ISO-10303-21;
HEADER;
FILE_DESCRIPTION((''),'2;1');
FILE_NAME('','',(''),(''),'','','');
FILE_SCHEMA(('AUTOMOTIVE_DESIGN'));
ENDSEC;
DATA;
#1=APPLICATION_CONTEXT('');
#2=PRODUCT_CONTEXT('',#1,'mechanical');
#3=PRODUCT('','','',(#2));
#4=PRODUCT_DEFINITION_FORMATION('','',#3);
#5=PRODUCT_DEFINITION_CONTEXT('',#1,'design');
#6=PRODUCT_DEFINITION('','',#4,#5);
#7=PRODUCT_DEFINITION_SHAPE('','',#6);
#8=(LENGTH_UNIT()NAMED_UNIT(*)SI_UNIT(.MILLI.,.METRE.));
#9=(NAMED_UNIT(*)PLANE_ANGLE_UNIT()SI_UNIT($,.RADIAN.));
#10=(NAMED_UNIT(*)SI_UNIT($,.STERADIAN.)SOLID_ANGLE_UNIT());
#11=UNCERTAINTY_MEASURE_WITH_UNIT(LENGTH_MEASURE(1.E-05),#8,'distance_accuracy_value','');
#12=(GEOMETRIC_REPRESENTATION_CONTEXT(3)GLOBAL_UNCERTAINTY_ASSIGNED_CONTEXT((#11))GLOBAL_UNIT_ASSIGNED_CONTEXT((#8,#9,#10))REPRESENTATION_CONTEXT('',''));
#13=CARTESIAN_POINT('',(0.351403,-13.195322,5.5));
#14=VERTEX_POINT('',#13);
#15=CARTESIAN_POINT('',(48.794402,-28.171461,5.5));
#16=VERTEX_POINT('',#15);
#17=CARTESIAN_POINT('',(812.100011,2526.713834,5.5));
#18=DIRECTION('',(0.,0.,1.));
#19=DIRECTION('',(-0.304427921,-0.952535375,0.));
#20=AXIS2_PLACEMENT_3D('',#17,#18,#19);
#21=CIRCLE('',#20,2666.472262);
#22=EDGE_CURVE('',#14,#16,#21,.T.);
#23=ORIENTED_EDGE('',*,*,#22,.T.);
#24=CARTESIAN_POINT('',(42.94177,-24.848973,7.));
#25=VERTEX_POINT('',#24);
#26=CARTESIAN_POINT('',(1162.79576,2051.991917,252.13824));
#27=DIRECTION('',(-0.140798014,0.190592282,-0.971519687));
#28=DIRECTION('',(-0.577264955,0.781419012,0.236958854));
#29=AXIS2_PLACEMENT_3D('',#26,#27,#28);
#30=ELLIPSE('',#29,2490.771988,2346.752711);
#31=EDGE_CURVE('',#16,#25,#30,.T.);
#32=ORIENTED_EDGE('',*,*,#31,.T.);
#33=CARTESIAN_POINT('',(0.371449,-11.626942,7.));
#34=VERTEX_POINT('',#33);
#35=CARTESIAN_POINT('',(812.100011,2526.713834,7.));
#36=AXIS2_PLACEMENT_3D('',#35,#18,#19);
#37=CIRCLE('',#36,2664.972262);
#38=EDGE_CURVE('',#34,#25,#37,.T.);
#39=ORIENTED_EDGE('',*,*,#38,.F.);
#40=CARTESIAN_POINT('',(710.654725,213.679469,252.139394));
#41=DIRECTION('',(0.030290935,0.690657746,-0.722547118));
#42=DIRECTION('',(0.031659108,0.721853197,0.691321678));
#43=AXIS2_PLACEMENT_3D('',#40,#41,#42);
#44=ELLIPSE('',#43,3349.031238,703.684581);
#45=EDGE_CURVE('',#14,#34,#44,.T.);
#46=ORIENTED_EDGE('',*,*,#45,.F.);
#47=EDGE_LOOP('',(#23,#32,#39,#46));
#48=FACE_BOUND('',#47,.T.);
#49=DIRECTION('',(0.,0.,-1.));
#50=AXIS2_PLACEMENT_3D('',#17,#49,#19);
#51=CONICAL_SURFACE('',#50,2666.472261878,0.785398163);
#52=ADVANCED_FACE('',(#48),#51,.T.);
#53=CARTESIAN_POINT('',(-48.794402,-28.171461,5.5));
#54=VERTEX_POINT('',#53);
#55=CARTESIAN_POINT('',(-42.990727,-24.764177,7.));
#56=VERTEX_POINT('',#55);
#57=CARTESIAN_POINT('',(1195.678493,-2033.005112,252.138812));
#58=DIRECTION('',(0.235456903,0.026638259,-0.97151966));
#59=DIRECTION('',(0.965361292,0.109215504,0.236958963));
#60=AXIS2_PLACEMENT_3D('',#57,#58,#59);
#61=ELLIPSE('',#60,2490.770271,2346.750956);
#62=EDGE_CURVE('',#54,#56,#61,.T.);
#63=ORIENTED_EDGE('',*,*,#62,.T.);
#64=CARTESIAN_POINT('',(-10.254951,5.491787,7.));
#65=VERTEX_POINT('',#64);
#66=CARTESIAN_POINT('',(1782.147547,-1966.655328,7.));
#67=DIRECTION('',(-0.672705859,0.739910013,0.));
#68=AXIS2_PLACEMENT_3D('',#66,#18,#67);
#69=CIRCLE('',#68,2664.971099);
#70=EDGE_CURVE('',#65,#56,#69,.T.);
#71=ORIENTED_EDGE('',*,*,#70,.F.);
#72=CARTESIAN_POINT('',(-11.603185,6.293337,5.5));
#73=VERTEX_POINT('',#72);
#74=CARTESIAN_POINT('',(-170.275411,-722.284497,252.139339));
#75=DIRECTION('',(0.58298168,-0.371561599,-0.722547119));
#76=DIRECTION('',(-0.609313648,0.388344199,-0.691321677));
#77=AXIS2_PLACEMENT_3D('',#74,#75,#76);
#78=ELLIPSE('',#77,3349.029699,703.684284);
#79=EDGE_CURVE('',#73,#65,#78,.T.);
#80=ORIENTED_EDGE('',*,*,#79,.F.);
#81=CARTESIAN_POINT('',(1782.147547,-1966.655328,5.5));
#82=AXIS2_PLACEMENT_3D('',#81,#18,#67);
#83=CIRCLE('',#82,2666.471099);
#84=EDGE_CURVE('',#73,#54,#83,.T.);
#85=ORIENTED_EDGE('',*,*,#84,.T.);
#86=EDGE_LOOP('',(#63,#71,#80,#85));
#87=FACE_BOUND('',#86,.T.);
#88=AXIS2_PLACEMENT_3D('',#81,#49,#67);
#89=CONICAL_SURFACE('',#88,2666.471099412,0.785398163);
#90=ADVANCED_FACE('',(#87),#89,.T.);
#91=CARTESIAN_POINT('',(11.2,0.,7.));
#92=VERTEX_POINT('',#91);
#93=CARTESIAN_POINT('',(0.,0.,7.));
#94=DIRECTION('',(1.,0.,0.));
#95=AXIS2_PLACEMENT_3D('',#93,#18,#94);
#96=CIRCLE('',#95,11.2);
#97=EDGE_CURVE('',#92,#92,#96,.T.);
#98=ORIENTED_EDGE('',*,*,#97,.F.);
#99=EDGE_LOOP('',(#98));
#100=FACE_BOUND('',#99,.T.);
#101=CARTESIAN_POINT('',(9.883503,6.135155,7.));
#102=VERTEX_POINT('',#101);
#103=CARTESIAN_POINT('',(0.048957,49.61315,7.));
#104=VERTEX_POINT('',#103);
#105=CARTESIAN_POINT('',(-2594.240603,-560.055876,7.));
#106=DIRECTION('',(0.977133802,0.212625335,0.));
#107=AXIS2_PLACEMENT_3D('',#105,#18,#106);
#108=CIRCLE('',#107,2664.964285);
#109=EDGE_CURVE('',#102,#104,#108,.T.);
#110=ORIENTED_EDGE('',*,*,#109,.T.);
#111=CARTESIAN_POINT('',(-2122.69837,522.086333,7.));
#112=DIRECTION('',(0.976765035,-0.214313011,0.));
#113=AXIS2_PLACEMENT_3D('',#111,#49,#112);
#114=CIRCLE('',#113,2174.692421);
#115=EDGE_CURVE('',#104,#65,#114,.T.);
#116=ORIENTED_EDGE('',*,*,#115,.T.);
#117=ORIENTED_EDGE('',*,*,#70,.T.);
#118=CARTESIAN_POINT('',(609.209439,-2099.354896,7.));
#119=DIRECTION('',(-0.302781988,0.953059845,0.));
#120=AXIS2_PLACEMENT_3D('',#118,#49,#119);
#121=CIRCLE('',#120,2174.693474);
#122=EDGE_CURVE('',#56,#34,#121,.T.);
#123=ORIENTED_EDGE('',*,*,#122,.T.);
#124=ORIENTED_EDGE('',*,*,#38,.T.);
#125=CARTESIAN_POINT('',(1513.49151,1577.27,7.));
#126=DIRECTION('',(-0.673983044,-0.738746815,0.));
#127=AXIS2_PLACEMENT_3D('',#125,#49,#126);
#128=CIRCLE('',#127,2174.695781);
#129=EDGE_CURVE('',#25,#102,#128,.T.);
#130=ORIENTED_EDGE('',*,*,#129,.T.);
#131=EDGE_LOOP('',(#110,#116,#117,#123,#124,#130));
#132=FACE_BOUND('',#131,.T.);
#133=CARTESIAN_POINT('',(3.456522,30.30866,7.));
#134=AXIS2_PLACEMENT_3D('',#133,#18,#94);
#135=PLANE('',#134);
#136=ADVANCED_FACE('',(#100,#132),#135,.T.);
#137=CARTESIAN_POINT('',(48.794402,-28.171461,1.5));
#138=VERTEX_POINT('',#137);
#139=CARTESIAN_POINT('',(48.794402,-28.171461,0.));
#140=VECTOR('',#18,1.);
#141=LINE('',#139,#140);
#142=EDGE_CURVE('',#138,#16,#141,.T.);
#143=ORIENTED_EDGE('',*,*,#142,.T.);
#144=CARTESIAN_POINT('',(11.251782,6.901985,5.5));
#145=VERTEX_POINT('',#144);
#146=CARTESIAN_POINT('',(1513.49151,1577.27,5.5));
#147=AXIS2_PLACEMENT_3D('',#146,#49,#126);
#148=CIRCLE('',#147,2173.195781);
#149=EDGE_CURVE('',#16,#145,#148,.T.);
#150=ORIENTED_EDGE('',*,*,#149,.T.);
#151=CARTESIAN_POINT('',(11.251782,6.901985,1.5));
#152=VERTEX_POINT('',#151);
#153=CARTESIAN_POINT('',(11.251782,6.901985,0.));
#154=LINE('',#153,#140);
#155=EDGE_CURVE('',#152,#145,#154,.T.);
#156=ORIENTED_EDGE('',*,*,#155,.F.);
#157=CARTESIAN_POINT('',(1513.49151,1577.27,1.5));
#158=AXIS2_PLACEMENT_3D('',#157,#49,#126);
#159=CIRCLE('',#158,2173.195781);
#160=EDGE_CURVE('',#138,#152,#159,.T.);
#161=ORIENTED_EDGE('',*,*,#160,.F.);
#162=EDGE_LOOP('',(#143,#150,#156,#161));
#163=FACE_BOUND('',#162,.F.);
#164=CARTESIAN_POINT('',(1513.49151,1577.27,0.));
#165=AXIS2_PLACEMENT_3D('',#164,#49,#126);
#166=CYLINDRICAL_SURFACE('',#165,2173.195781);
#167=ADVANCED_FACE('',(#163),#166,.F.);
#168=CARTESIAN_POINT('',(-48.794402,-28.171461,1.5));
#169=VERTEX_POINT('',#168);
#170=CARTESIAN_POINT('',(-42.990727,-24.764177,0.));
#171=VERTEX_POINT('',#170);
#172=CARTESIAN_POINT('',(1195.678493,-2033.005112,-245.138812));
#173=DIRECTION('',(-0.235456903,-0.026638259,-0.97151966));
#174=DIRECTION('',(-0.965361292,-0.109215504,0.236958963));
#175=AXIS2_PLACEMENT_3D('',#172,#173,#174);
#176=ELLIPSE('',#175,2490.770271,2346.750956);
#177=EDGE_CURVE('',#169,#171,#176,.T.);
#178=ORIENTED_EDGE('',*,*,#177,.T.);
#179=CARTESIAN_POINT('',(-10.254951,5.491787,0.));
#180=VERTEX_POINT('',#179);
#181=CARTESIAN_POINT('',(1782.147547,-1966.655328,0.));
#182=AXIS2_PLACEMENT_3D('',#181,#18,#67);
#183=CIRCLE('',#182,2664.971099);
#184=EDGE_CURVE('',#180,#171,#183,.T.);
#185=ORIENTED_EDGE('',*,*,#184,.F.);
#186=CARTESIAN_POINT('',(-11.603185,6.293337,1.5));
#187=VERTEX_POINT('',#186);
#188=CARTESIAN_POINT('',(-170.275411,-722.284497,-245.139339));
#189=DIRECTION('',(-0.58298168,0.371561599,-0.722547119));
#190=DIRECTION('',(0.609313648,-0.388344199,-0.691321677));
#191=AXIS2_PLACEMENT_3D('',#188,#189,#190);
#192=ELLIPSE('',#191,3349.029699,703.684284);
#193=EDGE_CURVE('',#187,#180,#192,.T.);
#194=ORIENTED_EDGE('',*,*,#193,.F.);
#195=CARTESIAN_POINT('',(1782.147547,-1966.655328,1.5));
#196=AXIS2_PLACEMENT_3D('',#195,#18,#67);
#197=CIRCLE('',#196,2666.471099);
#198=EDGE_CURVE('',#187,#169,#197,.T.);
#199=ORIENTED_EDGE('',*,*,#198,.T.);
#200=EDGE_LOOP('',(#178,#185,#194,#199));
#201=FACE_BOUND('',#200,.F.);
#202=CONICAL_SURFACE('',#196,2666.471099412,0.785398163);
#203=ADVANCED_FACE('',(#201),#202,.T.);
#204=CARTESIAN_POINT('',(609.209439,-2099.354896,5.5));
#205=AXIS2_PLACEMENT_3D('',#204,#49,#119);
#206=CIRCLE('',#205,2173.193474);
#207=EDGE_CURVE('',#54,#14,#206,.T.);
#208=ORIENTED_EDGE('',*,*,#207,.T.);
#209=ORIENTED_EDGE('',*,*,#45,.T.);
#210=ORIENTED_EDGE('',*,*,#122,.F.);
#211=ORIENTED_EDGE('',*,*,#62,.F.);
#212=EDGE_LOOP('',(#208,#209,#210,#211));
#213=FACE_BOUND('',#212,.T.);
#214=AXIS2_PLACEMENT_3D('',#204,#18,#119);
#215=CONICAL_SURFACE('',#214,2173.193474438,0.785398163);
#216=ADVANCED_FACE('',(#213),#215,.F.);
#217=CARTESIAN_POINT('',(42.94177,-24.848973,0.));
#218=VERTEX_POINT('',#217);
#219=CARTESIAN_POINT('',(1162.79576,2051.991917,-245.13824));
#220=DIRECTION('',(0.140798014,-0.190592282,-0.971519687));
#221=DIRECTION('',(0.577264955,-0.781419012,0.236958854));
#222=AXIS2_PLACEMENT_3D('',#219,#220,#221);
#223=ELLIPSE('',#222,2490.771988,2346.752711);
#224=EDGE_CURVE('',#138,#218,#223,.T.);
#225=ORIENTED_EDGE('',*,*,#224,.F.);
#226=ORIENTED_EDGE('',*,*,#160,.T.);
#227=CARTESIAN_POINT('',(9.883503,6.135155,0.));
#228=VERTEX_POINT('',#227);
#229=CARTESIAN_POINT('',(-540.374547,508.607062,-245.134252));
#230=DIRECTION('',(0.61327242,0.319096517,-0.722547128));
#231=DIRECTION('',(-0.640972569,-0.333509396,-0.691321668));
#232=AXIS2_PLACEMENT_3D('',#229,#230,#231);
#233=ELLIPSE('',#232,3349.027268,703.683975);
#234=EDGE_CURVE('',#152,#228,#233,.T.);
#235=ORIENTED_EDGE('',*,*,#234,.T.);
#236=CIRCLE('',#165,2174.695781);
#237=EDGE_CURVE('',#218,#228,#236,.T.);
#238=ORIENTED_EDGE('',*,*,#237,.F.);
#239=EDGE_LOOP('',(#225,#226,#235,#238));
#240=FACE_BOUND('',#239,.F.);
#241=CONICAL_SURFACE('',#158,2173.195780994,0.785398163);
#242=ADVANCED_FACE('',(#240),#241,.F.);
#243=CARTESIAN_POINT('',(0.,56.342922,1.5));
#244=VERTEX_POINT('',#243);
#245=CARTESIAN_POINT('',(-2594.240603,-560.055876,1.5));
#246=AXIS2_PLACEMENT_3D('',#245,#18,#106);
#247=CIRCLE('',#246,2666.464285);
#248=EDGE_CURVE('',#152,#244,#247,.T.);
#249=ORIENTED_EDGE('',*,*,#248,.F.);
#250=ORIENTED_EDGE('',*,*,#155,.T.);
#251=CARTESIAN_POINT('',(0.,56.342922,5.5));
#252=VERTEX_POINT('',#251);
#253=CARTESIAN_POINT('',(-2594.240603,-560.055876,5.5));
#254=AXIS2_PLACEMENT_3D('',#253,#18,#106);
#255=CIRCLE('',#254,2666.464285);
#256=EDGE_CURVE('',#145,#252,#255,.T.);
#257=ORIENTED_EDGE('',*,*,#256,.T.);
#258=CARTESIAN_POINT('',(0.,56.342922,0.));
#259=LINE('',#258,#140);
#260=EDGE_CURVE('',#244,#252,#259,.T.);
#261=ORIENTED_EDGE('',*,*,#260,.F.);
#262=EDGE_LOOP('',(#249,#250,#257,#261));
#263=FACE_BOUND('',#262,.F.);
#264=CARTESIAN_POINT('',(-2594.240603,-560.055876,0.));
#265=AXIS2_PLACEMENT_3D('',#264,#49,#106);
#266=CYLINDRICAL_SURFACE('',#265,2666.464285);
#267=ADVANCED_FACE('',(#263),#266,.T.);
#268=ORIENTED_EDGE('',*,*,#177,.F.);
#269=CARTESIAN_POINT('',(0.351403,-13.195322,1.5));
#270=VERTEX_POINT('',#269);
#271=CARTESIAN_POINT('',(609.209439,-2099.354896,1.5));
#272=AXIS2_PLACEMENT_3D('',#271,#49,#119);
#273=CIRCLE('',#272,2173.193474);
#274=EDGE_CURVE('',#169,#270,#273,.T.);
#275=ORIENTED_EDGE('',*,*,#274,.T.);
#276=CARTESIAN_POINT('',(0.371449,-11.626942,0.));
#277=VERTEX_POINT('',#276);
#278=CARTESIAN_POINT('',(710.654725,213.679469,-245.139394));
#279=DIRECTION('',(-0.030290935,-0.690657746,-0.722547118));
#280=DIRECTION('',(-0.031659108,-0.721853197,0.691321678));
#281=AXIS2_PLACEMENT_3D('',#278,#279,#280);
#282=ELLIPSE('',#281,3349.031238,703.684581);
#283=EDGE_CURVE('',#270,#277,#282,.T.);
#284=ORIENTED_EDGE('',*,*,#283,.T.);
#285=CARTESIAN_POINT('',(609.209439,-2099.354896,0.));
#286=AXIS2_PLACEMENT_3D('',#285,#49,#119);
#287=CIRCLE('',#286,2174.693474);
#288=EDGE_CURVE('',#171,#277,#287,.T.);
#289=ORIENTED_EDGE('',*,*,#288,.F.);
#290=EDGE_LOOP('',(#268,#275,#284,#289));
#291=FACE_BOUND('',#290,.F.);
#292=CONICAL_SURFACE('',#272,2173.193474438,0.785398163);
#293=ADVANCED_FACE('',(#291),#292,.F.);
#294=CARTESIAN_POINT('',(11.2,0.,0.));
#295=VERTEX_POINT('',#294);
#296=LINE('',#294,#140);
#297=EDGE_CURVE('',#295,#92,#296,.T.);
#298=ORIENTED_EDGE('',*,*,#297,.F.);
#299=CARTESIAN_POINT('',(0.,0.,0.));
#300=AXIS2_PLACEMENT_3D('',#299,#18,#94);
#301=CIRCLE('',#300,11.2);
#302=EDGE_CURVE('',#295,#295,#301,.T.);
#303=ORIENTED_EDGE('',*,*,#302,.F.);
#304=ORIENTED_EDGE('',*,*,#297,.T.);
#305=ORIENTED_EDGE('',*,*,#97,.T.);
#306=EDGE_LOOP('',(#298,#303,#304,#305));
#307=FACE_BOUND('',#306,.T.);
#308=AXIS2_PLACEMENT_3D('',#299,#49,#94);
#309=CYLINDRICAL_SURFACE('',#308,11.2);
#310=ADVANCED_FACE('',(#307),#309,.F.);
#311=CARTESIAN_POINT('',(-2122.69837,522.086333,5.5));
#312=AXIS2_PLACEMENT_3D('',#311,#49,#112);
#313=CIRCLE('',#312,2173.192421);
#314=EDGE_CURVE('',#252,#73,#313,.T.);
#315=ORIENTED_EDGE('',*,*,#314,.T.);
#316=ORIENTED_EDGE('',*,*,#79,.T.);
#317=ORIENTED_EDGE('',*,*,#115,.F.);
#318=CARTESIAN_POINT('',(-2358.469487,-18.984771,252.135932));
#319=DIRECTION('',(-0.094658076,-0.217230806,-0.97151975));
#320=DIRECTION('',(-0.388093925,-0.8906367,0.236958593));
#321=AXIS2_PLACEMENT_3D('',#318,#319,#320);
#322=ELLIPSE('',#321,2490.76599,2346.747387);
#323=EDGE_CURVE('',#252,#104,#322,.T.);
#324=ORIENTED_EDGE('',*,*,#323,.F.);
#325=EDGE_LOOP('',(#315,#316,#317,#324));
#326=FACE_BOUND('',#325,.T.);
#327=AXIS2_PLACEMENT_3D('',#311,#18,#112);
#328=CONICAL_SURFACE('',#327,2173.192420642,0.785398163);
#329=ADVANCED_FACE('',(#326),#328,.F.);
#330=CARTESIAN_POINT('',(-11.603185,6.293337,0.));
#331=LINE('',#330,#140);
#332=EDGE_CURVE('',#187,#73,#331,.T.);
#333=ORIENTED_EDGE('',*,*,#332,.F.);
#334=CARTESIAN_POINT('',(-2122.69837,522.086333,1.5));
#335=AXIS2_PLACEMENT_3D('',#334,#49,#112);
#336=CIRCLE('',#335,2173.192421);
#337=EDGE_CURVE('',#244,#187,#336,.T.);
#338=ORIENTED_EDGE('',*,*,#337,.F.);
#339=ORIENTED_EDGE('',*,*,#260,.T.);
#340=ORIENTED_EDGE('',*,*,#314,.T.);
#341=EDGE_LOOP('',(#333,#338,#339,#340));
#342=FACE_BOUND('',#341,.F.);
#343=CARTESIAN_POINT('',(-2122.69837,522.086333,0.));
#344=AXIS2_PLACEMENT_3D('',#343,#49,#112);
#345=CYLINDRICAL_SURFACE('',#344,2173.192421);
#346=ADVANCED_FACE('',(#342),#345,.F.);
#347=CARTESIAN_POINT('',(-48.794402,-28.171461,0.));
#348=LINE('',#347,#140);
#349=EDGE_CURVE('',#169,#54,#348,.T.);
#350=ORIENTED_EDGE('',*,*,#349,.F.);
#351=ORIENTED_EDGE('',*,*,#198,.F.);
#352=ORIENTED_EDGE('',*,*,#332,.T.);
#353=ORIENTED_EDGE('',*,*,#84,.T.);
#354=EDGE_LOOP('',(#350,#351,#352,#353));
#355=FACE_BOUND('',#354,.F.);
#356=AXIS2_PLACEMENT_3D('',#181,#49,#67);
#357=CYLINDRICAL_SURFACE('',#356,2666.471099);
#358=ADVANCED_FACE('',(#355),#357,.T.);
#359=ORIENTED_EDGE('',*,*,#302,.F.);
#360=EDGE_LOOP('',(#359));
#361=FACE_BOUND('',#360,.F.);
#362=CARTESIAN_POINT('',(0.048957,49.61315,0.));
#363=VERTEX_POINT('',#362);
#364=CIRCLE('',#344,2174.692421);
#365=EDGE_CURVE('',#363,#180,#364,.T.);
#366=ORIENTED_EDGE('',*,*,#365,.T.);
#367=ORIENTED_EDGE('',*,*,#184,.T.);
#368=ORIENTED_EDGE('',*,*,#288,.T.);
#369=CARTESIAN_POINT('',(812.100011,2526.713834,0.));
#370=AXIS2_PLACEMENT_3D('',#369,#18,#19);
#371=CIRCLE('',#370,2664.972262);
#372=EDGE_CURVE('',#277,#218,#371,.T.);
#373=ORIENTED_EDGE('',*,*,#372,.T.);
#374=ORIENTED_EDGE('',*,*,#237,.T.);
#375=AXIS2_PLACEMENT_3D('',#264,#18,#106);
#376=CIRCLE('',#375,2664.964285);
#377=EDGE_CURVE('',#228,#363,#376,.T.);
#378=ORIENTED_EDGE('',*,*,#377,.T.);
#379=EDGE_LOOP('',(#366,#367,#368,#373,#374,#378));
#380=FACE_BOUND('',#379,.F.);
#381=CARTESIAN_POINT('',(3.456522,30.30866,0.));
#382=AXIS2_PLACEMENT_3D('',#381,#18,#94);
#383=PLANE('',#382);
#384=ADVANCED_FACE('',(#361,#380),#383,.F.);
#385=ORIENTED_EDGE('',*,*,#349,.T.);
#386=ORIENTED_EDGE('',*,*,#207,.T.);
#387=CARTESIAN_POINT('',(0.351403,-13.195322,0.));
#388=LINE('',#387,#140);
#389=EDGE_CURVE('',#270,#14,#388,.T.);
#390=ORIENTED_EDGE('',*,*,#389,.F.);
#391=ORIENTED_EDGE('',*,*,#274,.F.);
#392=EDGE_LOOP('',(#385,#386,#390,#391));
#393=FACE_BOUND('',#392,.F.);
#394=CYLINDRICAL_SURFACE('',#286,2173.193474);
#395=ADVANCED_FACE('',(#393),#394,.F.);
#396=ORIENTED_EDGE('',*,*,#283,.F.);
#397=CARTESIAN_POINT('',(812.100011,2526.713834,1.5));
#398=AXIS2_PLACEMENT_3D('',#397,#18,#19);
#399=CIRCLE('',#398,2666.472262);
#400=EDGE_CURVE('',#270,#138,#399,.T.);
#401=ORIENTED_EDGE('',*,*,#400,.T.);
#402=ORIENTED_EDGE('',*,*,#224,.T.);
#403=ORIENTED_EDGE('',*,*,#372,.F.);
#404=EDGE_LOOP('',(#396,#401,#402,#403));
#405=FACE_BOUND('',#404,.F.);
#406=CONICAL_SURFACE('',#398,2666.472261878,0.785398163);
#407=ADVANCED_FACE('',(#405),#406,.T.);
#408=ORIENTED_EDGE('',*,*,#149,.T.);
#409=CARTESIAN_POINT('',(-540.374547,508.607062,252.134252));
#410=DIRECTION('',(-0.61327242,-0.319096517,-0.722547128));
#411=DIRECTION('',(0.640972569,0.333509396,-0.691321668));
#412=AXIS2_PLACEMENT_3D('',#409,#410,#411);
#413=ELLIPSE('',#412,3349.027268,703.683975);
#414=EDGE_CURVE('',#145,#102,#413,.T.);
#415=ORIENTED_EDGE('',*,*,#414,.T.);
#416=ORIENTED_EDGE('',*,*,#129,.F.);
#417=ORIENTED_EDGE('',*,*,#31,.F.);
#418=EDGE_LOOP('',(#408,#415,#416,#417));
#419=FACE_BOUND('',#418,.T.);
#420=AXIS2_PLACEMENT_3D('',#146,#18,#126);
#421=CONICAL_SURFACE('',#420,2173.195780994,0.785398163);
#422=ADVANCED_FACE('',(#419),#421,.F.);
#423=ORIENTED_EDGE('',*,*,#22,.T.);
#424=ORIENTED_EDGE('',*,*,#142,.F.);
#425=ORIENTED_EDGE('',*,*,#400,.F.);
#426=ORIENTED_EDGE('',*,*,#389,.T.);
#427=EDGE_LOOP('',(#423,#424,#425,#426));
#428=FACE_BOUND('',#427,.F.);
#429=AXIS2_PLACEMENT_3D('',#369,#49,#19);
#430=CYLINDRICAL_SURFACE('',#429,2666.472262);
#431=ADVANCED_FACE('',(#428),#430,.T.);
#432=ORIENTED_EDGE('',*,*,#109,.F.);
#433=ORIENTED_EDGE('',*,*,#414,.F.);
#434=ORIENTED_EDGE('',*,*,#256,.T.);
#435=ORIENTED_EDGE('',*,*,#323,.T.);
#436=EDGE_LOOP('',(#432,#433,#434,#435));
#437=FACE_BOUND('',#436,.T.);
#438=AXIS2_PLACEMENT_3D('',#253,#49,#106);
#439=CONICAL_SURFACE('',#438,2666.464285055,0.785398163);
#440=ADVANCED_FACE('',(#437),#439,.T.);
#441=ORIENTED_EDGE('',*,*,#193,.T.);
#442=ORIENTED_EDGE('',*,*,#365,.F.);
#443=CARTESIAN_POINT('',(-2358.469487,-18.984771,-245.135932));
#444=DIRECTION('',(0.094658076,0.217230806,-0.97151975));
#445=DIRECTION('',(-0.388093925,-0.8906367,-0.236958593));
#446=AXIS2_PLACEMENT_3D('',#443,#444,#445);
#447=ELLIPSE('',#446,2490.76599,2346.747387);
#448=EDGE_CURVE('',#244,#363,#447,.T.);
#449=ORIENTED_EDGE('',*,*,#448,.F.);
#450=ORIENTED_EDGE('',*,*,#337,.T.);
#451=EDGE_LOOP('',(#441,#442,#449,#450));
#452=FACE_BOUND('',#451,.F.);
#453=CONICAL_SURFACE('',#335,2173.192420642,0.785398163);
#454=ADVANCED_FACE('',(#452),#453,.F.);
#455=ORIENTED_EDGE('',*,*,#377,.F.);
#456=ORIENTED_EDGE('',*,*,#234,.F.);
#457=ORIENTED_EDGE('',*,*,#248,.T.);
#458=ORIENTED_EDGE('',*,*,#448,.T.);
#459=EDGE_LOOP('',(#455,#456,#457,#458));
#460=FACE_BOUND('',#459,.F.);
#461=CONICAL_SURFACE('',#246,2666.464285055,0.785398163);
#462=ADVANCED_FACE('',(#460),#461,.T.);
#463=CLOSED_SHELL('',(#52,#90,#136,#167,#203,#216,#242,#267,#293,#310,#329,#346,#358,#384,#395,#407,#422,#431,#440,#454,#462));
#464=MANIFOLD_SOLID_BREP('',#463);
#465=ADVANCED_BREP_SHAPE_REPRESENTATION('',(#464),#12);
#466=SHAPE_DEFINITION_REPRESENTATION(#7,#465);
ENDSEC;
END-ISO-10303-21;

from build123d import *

# Parameters (mm, degrees)
F0_R     = 11.2
F1_DEPTH = 7
F2_SIZE  = 1.5


with BuildPart() as f1:
    # F0 (on Top) → F1 (new body)
    with BuildSketch(Plane.XY):
        with BuildLine():
            ThreePointArc((0, 13.2), (6.44724, 11.518381), (11.251782, 6.901985))
            ThreePointArc((11.251782, 6.901985), (5.743414, 31.649199), (0, 56.342922))
            Line((0, 56.342922), (0, 13.2))
        make_face()
        with BuildLine():
            ThreePointArc((-11.603185, 6.293337), (-6.751591, 11.342664), (0, 13.2))
            Line((0, 13.2), (0, 56.342922))
            ThreePointArc((0, 56.342922), (-5.653683, 31.283839), (-11.603185, 6.293337))
        make_face()
        with BuildLine():
            ThreePointArc((11.251782, -6.901985), (12.703612, -3.585838), (13.2, 0))
            ThreePointArc((13.2, 0), (12.703612, 3.585838), (11.251782, 6.901985))
            ThreePointArc((11.251782, 6.901985), (6.44724, 11.518381), (0, 13.2))
            ThreePointArc((0, 13.2), (-6.751591, 11.342664), (-11.603185, 6.293337))
            ThreePointArc((-11.603185, 6.293337), (-13.188888, -0.541511), (-11.048215, -7.223361))
            ThreePointArc((-11.048215, -7.223361), (-6.125482, -11.692667), (0.351403, -13.195322))
            ThreePointArc((0.351403, -13.195322), (6.6, -11.431535), (11.251782, -6.901985))
        make_face()
        Circle(F0_R, mode=Mode.SUBTRACT)
        with BuildLine():
            ThreePointArc((11.251782, 6.901985), (12.703612, 3.585838), (13.2, 0))
            ThreePointArc((13.2, 0), (12.703612, -3.585838), (11.251782, -6.901985))
            Line((11.251782, -6.901985), (36.527545, -21.22177))
            Line((36.527545, -21.22177), (48.794402, -28.171461))
            ThreePointArc((48.794402, -28.171461), (29.919441, -10.745686), (11.251782, 6.901985))
        make_face()
        with BuildLine():
            Line((36.527545, -21.22177), (11.251782, -6.901985))
            ThreePointArc((11.251782, -6.901985), (6.6, -11.431535), (0.351403, -13.195322))
            ThreePointArc((0.351403, -13.195322), (24.537304, -20.798542), (48.794402, -28.171461))
            Line((48.794402, -28.171461), (36.527545, -21.22177))
        make_face()
        with BuildLine():
            ThreePointArc((-48.794402, -28.171461), (-24.265758, -20.538153), (0.351403, -13.195322))
            ThreePointArc((0.351403, -13.195322), (-6.125482, -11.692667), (-11.048215, -7.223361))
            Line((-11.048215, -7.223361), (-48.794402, -28.171461))
        make_face()
        with BuildLine():
            ThreePointArc((-11.048215, -7.223361), (-13.188888, -0.541511), (-11.603185, 6.293337))
            ThreePointArc((-11.603185, 6.293337), (-30.280717, -10.850657), (-48.794402, -28.171461))
            Line((-48.794402, -28.171461), (-11.048215, -7.223361))
        make_face()
    extrude(amount=F1_DEPTH)

    # F2
    f2_edges = [f1.edges().sort_by_distance(p)[0] for p in [
        (-24.265758, -20.538153, 7),
        (-30.280717, -10.850657, 7),
        (-5.653683, 31.283839, 7),
        (5.743414, 31.649199, 7),
        (29.919441, -10.745686, 7),
        (24.537304, -20.798542, 7),
        (24.537304, -20.798542, 0),
        (29.919441, -10.745686, 0),
        (-5.653683, 31.283839, 0),
        (5.743414, 31.649199, 0),
        (-30.280717, -10.850657, 0),
        (-24.265758, -20.538153, 0),
    ]]
    chamfer(f2_edges, length=F2_SIZE)


solid = f1.part
